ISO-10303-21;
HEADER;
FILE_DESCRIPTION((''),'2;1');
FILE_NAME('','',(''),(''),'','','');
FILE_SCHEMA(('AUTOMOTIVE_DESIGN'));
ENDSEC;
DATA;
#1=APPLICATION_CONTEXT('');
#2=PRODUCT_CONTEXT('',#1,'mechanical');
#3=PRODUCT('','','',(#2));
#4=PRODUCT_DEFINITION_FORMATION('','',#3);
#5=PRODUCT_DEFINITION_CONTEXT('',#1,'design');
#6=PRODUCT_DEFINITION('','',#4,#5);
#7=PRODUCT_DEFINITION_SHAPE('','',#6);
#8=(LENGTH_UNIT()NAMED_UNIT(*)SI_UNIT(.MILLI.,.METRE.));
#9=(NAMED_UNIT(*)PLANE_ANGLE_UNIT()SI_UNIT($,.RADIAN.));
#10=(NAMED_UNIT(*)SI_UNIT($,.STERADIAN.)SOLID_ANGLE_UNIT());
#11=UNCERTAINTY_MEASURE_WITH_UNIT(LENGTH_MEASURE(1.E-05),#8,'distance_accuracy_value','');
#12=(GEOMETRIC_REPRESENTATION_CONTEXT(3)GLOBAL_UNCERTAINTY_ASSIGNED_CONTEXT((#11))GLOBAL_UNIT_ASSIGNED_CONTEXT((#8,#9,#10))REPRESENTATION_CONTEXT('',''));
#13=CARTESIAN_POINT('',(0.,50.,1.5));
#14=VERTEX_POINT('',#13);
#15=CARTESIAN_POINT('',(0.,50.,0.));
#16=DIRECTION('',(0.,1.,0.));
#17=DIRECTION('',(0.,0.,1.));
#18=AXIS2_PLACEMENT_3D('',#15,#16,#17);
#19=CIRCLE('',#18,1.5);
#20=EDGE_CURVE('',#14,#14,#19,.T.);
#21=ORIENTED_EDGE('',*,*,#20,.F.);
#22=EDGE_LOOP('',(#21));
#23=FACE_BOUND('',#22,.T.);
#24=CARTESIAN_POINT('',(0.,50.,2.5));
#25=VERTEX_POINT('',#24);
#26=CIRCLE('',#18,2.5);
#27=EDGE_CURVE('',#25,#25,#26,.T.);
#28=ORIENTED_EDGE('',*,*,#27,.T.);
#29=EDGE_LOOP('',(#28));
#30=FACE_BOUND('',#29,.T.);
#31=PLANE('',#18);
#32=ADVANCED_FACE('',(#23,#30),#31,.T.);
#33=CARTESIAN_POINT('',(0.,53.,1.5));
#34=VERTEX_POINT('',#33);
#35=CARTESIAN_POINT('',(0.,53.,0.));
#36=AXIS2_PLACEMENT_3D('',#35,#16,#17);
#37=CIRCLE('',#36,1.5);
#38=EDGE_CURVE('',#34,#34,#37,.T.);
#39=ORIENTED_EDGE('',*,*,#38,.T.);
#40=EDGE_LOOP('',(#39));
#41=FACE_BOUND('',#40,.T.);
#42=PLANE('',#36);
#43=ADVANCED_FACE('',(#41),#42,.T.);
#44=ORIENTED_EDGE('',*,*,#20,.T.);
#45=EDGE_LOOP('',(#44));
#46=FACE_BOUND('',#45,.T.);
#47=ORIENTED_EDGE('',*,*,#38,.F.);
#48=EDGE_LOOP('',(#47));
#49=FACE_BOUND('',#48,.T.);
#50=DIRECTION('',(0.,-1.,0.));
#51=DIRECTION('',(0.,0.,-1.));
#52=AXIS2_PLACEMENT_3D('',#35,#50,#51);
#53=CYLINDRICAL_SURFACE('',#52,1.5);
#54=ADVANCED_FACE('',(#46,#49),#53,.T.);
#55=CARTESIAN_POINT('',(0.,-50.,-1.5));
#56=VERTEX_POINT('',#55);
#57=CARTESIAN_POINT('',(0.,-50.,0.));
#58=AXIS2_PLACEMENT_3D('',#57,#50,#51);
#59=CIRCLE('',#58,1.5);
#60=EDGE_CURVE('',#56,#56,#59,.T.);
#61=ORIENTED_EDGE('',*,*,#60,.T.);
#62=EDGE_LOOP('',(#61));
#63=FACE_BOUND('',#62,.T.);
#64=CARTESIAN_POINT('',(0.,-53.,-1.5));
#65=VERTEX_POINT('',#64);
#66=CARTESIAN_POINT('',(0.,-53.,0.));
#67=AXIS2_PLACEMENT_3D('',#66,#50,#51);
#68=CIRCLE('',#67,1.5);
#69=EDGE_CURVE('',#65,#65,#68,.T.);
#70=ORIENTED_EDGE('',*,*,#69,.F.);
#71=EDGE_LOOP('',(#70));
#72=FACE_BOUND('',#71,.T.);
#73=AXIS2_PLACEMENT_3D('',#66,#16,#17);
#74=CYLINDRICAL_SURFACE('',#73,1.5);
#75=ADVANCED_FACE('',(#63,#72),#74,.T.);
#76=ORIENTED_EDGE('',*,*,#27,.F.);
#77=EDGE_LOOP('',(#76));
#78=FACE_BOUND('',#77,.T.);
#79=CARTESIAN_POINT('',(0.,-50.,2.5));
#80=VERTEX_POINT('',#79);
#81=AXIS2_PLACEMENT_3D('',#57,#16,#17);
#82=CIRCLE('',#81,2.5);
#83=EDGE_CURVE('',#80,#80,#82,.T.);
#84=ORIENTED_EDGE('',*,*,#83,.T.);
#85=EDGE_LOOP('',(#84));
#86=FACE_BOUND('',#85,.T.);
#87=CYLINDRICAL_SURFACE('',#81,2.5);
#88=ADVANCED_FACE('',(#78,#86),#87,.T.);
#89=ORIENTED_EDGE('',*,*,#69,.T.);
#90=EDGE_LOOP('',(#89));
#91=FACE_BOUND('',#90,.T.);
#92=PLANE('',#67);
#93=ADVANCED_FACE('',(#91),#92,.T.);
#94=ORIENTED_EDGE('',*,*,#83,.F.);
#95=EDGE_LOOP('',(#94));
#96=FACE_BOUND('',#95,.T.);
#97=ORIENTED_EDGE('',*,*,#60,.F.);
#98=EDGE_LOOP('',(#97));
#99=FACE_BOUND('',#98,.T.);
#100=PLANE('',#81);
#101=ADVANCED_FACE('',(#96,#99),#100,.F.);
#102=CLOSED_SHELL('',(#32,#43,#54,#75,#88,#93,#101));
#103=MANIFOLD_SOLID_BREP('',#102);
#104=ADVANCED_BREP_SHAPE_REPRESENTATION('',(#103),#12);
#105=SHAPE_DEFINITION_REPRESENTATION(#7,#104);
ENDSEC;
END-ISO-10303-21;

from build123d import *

# Parameters (mm, degrees)
SKETCH_1_R      = 2.5
EXTRUDE_2_DEPTH = 50
SKETCH_2_R      = 1.5
EXTRUDE_3_DEPTH = 3
EXTRUDE_START   = 3
SKETCH_3_R      = 1.5
EXTRUDE_4_DEPTH = 3


with BuildPart() as part:
    # 草图1 → 凸台-拉伸2 (new, symmetric)
    with BuildSketch(Plane(origin=(0, 0, 0), x_dir=(1, 0, 0), z_dir=(0, 1, 0))):
        with Locations(Location((0, 0, 0), (0, 0, 270))):
            Circle(SKETCH_1_R)
    extrude(amount=EXTRUDE_2_DEPTH, both=True)

    # 草图2 → 凸台-拉伸3 (add)
    with BuildSketch(Plane(origin=(0, 50, 0), x_dir=(1, 0, 0), z_dir=(0, 1, 0))):
        with Locations(Location((0, 0, 0), (0, 0, 270))):
            Circle(SKETCH_2_R)
    extrude(amount=EXTRUDE_3_DEPTH)

    # 草图3 → 凸台-拉伸4 (add)
    with BuildSketch(Plane.XZ.offset(50).offset(EXTRUDE_START)):
        with Locations(Location((0, 0, 0), (0, 0, 90))):
            Circle(SKETCH_3_R)
    extrude(amount=-EXTRUDE_4_DEPTH)


solid = part.part
